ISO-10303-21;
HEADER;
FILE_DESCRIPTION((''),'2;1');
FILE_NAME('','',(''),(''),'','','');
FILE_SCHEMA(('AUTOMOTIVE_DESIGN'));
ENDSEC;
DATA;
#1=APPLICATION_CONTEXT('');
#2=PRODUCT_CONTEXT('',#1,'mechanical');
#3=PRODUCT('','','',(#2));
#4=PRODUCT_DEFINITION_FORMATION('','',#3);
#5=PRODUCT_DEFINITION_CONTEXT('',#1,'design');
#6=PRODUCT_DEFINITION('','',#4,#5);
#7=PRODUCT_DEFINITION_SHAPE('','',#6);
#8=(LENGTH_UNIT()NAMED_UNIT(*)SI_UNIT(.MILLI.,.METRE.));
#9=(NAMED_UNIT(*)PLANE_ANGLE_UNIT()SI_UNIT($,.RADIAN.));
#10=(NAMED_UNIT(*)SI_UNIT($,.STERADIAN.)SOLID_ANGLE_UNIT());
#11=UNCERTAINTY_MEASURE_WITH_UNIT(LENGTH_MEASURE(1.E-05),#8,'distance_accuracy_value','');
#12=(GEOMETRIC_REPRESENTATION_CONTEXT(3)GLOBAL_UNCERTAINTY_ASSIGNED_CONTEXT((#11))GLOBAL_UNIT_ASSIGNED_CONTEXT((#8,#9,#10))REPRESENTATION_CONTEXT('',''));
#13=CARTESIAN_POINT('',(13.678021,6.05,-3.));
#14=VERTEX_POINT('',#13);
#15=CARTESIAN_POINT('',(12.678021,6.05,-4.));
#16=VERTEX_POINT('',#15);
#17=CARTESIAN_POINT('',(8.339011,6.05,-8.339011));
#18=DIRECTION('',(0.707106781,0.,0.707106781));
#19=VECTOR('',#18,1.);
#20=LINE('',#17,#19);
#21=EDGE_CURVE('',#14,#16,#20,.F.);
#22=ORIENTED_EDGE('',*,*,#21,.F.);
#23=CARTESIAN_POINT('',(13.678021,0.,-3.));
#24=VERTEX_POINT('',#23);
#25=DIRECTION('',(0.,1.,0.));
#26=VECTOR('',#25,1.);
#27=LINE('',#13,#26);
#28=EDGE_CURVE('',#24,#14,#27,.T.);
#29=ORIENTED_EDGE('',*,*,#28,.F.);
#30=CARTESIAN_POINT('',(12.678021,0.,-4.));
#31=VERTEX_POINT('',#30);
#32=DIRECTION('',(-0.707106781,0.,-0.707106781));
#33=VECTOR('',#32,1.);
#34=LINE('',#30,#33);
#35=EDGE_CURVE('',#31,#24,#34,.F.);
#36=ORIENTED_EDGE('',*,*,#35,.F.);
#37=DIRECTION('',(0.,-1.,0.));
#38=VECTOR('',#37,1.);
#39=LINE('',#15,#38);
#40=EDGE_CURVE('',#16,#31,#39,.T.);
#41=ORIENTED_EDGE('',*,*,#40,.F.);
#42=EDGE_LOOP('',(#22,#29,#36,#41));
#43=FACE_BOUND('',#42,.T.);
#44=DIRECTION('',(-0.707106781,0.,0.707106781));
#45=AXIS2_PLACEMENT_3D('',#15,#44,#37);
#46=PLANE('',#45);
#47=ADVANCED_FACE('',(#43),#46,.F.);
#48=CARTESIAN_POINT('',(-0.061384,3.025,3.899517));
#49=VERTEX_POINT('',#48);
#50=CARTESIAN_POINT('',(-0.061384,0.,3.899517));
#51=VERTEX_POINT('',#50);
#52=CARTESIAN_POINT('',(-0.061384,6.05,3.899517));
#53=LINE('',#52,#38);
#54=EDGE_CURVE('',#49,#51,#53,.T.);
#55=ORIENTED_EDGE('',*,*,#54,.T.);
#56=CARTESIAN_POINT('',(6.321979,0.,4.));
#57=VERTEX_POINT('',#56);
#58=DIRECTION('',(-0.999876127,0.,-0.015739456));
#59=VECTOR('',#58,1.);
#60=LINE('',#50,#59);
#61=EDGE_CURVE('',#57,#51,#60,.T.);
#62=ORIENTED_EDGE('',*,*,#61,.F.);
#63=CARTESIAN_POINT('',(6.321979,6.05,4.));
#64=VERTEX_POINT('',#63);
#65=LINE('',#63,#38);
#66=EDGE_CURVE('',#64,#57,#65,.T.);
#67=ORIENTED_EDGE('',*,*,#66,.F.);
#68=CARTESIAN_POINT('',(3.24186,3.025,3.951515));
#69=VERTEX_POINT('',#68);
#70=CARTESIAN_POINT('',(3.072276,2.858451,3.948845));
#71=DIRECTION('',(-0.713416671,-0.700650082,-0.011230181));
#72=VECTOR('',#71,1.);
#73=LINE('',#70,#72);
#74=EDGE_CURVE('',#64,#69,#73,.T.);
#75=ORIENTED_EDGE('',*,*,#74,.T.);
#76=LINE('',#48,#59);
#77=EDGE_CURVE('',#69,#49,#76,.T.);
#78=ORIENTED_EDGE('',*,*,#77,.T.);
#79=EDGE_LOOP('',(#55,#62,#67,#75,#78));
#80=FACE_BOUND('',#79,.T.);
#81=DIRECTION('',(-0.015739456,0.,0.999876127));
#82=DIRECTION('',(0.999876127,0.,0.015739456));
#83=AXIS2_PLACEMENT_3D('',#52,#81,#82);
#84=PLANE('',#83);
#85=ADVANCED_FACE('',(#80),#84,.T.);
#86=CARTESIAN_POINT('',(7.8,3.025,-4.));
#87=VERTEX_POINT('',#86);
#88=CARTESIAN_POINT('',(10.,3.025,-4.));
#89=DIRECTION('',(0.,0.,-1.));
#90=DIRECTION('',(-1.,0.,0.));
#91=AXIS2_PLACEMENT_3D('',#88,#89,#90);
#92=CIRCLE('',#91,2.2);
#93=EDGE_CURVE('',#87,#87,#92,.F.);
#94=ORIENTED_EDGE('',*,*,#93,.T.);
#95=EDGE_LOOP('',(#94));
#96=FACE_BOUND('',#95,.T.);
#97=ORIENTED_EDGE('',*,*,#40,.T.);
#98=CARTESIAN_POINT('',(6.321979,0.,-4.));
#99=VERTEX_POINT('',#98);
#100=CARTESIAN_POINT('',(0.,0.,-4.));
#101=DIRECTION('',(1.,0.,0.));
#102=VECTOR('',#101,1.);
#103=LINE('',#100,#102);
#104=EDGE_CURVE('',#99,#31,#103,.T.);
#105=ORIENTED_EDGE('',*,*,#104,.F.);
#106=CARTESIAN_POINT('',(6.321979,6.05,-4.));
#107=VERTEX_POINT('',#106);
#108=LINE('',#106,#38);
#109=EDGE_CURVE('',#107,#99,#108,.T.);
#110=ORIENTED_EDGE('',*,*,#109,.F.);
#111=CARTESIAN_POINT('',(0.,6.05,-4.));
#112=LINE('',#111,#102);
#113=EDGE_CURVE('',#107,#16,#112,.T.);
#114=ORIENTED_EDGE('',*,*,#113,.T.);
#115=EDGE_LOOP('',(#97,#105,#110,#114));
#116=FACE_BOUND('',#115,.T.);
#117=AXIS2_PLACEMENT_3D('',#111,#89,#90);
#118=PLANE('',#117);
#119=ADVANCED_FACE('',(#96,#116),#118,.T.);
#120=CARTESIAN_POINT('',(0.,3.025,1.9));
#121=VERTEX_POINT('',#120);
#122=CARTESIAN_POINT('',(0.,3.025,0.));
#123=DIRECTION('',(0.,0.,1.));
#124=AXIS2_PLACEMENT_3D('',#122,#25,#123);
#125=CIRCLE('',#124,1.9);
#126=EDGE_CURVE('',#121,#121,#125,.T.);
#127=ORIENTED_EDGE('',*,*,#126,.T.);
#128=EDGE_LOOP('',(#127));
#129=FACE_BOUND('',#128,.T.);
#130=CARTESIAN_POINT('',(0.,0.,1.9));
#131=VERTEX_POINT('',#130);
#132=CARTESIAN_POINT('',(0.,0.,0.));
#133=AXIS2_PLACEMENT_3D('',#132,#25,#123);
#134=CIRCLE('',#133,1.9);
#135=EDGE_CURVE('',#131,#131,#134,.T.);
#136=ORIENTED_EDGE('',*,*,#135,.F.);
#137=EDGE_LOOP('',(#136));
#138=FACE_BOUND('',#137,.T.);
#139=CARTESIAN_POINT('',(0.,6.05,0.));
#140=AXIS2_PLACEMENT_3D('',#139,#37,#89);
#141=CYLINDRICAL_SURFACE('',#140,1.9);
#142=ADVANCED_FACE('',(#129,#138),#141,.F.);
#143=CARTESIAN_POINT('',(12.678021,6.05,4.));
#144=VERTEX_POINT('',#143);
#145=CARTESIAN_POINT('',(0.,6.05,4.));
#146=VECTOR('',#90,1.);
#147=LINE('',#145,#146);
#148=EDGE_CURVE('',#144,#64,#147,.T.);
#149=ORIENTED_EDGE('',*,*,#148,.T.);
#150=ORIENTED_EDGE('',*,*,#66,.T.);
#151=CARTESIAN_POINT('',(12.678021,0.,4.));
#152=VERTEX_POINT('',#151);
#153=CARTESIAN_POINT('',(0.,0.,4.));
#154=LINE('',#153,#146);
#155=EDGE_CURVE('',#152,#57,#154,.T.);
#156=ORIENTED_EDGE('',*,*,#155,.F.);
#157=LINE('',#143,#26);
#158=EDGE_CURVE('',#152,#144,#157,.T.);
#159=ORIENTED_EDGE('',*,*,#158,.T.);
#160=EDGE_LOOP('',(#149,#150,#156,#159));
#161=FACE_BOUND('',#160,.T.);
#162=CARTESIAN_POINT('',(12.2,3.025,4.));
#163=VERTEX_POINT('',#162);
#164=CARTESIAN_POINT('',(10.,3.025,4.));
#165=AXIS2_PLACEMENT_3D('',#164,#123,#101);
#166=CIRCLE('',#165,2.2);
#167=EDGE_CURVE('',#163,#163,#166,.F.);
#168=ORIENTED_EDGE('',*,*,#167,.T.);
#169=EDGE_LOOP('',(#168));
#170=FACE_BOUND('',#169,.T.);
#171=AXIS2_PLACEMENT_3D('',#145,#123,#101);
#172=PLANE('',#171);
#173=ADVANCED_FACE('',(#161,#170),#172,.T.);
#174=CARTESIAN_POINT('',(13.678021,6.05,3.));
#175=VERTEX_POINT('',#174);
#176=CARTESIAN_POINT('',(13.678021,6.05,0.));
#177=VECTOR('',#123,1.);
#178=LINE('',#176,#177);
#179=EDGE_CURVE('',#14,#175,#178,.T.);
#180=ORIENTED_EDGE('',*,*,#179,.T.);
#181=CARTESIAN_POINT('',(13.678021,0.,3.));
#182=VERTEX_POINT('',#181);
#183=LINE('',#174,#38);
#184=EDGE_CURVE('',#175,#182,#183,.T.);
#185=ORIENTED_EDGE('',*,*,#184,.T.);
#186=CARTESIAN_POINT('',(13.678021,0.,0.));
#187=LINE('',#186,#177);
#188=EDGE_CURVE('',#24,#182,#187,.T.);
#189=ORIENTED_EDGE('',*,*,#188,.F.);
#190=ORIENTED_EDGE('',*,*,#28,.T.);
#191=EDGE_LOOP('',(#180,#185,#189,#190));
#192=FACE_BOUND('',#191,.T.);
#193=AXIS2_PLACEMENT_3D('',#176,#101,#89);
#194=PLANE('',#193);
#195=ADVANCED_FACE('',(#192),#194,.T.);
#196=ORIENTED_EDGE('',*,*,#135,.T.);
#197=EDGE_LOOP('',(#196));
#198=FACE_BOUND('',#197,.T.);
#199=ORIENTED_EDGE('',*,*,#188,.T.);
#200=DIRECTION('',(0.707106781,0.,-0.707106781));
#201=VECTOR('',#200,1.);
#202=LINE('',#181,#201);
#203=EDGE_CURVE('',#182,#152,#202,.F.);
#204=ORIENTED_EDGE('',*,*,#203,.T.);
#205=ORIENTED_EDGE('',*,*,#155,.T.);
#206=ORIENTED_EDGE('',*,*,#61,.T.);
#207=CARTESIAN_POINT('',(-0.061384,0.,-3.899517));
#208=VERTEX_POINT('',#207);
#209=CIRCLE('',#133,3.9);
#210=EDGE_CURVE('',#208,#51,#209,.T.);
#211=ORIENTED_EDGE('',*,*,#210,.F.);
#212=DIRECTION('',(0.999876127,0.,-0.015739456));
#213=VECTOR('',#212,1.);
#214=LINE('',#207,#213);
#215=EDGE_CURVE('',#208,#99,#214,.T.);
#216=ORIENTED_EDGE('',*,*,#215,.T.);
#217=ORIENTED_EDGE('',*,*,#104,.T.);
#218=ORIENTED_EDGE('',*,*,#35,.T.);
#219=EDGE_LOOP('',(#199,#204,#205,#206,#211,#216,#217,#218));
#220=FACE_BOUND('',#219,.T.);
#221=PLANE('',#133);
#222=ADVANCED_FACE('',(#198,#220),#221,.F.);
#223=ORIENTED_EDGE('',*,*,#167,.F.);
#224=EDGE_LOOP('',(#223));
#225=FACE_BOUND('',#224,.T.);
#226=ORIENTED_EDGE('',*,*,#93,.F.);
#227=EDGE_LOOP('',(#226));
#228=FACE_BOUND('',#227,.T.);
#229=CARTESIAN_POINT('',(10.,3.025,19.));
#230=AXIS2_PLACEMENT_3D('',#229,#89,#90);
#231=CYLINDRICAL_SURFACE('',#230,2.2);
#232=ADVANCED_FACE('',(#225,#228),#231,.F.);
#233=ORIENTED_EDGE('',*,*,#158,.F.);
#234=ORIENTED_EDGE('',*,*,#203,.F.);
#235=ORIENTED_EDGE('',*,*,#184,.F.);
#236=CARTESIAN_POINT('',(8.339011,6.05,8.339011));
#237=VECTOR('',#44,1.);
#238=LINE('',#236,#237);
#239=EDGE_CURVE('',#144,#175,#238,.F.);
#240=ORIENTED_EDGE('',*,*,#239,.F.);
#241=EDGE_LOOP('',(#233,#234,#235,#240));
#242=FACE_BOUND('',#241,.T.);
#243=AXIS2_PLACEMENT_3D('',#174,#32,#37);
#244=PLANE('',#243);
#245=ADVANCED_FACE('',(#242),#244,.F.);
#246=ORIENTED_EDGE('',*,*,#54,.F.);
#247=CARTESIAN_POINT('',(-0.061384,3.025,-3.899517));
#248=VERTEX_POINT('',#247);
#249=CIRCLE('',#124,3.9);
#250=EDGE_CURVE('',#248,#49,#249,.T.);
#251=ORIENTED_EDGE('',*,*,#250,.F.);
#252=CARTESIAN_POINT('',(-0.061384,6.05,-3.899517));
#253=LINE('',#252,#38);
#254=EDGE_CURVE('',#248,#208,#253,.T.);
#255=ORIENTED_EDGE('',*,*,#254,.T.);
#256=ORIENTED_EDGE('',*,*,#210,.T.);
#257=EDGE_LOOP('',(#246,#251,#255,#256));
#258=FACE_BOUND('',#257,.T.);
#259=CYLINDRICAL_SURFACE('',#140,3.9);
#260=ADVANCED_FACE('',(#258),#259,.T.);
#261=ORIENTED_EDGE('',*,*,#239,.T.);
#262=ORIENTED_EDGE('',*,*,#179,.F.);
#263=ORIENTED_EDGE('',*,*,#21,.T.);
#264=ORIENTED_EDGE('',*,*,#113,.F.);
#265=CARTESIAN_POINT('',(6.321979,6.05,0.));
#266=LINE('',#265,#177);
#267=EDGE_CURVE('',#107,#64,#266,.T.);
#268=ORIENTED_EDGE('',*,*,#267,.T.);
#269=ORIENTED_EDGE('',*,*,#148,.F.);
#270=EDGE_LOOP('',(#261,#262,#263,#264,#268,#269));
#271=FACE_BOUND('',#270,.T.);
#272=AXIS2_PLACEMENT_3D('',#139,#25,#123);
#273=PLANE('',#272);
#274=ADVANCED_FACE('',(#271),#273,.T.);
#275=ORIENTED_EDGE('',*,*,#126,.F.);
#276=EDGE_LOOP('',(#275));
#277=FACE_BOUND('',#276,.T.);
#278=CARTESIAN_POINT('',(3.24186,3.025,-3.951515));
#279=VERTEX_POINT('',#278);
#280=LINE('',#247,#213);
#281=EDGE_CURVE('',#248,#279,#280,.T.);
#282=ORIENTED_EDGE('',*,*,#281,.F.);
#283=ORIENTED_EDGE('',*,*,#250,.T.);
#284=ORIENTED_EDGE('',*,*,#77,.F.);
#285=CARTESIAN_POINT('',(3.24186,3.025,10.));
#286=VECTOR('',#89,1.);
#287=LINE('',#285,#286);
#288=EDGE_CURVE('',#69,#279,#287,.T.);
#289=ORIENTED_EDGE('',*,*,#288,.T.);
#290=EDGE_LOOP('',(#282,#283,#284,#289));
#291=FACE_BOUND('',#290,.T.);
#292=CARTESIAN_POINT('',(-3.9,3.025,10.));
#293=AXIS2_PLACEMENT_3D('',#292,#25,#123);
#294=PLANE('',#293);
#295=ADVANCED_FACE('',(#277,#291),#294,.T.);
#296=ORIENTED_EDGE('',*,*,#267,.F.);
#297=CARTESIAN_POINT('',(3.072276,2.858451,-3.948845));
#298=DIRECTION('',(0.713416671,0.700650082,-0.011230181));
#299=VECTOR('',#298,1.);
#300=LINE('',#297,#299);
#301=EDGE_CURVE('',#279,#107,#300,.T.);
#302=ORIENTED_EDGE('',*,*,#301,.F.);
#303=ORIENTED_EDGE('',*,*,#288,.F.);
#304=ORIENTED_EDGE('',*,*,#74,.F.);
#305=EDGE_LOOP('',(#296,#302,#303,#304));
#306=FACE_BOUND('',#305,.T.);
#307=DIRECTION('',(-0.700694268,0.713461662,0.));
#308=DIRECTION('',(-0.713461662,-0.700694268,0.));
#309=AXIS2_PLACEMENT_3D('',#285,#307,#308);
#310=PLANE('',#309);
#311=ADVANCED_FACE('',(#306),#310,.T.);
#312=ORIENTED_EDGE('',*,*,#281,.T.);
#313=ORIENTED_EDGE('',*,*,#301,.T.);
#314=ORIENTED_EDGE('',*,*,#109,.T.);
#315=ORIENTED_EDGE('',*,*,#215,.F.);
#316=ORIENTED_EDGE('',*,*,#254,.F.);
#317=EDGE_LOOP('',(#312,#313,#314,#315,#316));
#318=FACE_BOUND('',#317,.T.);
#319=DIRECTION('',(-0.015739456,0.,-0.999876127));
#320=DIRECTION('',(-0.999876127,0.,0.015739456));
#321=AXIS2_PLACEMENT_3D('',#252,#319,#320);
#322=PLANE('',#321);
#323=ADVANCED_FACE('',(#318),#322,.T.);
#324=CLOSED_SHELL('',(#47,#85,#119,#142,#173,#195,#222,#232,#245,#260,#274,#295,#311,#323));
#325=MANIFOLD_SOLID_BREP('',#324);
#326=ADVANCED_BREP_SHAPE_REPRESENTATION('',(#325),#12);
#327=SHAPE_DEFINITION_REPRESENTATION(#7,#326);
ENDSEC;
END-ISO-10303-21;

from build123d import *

# Parameters (mm, degrees)
SKETCH1_R               = 1.9
BOSS_EXTRUDE1_DEPTH     = 6.05
CUT_EXTRUDE1_DEPTH      = 19
CUT_EXTRUDE1_DEPTH_BACK = 21
SKETCH2_R               = 2.2
CHAMFER2_SIZE           = 1
CUT_EXTRUDE2_DEPTH      = 10
CUT_EXTRUDE2_DEPTH_BACK = 10


with BuildPart() as part:
    # Sketch1 → Boss-Extrude1 (new body)
    with BuildSketch(Plane(origin=(0, 0, 0), x_dir=(1, 0, 0), z_dir=(0, 1, 0))):
        with BuildLine():
            Line((-0.061383878, 3.899516896), (6.321978872, 4))
            Line((6.321978872, 4), (13.678021128, 4))
            Line((13.678021128, 4), (13.678021128, -4))
            Line((13.678021128, -4), (6.321978872, -4))
            Line((6.321978872, -4), (-0.061383878, -3.899516896))
            ThreePointArc((-0.061383878, -3.899516896), (-3.9, 0), (-0.061383878, 3.899516896))
        make_face()
        with Locations(Location((0, 0, 0), (0, 0, 270))):
            Circle(SKETCH1_R, mode=Mode.SUBTRACT)
    extrude(amount=BOSS_EXTRUDE1_DEPTH)

    # Sketch2 → Cut-Extrude1 (cut, two sides: drawn at the far end of the back side and taken through both)
    with BuildSketch(Plane.XY.offset(-CUT_EXTRUDE1_DEPTH_BACK)):
        with Locations(Location((10, 3.025, 0), (0, 0, 180))):
            Circle(SKETCH2_R)
    extrude(amount=CUT_EXTRUDE1_DEPTH + CUT_EXTRUDE1_DEPTH_BACK, mode=Mode.SUBTRACT)

    # Chamfer2
    chamfer2_edges = [part.edges().sort_by_distance(p)[0] for p in [
        (13.678021128, 3.025, -4),
        (13.678021128, 3.025, 4),
    ]]
    chamfer(chamfer2_edges, length=CHAMFER2_SIZE)

    # Sketch3 → Cut-Extrude2 (cut, two sides: drawn at the far end of the back side and taken through both)
    with BuildSketch(Plane.XY.offset(-CUT_EXTRUDE2_DEPTH_BACK)):
        Polygon((-3.9, 3.025), (3.241860159, 3.025), (6.321978872, 6.05), (-3.9, 6.05), align=None)
    extrude(amount=CUT_EXTRUDE2_DEPTH + CUT_EXTRUDE2_DEPTH_BACK, mode=Mode.SUBTRACT)


solid = part.part
